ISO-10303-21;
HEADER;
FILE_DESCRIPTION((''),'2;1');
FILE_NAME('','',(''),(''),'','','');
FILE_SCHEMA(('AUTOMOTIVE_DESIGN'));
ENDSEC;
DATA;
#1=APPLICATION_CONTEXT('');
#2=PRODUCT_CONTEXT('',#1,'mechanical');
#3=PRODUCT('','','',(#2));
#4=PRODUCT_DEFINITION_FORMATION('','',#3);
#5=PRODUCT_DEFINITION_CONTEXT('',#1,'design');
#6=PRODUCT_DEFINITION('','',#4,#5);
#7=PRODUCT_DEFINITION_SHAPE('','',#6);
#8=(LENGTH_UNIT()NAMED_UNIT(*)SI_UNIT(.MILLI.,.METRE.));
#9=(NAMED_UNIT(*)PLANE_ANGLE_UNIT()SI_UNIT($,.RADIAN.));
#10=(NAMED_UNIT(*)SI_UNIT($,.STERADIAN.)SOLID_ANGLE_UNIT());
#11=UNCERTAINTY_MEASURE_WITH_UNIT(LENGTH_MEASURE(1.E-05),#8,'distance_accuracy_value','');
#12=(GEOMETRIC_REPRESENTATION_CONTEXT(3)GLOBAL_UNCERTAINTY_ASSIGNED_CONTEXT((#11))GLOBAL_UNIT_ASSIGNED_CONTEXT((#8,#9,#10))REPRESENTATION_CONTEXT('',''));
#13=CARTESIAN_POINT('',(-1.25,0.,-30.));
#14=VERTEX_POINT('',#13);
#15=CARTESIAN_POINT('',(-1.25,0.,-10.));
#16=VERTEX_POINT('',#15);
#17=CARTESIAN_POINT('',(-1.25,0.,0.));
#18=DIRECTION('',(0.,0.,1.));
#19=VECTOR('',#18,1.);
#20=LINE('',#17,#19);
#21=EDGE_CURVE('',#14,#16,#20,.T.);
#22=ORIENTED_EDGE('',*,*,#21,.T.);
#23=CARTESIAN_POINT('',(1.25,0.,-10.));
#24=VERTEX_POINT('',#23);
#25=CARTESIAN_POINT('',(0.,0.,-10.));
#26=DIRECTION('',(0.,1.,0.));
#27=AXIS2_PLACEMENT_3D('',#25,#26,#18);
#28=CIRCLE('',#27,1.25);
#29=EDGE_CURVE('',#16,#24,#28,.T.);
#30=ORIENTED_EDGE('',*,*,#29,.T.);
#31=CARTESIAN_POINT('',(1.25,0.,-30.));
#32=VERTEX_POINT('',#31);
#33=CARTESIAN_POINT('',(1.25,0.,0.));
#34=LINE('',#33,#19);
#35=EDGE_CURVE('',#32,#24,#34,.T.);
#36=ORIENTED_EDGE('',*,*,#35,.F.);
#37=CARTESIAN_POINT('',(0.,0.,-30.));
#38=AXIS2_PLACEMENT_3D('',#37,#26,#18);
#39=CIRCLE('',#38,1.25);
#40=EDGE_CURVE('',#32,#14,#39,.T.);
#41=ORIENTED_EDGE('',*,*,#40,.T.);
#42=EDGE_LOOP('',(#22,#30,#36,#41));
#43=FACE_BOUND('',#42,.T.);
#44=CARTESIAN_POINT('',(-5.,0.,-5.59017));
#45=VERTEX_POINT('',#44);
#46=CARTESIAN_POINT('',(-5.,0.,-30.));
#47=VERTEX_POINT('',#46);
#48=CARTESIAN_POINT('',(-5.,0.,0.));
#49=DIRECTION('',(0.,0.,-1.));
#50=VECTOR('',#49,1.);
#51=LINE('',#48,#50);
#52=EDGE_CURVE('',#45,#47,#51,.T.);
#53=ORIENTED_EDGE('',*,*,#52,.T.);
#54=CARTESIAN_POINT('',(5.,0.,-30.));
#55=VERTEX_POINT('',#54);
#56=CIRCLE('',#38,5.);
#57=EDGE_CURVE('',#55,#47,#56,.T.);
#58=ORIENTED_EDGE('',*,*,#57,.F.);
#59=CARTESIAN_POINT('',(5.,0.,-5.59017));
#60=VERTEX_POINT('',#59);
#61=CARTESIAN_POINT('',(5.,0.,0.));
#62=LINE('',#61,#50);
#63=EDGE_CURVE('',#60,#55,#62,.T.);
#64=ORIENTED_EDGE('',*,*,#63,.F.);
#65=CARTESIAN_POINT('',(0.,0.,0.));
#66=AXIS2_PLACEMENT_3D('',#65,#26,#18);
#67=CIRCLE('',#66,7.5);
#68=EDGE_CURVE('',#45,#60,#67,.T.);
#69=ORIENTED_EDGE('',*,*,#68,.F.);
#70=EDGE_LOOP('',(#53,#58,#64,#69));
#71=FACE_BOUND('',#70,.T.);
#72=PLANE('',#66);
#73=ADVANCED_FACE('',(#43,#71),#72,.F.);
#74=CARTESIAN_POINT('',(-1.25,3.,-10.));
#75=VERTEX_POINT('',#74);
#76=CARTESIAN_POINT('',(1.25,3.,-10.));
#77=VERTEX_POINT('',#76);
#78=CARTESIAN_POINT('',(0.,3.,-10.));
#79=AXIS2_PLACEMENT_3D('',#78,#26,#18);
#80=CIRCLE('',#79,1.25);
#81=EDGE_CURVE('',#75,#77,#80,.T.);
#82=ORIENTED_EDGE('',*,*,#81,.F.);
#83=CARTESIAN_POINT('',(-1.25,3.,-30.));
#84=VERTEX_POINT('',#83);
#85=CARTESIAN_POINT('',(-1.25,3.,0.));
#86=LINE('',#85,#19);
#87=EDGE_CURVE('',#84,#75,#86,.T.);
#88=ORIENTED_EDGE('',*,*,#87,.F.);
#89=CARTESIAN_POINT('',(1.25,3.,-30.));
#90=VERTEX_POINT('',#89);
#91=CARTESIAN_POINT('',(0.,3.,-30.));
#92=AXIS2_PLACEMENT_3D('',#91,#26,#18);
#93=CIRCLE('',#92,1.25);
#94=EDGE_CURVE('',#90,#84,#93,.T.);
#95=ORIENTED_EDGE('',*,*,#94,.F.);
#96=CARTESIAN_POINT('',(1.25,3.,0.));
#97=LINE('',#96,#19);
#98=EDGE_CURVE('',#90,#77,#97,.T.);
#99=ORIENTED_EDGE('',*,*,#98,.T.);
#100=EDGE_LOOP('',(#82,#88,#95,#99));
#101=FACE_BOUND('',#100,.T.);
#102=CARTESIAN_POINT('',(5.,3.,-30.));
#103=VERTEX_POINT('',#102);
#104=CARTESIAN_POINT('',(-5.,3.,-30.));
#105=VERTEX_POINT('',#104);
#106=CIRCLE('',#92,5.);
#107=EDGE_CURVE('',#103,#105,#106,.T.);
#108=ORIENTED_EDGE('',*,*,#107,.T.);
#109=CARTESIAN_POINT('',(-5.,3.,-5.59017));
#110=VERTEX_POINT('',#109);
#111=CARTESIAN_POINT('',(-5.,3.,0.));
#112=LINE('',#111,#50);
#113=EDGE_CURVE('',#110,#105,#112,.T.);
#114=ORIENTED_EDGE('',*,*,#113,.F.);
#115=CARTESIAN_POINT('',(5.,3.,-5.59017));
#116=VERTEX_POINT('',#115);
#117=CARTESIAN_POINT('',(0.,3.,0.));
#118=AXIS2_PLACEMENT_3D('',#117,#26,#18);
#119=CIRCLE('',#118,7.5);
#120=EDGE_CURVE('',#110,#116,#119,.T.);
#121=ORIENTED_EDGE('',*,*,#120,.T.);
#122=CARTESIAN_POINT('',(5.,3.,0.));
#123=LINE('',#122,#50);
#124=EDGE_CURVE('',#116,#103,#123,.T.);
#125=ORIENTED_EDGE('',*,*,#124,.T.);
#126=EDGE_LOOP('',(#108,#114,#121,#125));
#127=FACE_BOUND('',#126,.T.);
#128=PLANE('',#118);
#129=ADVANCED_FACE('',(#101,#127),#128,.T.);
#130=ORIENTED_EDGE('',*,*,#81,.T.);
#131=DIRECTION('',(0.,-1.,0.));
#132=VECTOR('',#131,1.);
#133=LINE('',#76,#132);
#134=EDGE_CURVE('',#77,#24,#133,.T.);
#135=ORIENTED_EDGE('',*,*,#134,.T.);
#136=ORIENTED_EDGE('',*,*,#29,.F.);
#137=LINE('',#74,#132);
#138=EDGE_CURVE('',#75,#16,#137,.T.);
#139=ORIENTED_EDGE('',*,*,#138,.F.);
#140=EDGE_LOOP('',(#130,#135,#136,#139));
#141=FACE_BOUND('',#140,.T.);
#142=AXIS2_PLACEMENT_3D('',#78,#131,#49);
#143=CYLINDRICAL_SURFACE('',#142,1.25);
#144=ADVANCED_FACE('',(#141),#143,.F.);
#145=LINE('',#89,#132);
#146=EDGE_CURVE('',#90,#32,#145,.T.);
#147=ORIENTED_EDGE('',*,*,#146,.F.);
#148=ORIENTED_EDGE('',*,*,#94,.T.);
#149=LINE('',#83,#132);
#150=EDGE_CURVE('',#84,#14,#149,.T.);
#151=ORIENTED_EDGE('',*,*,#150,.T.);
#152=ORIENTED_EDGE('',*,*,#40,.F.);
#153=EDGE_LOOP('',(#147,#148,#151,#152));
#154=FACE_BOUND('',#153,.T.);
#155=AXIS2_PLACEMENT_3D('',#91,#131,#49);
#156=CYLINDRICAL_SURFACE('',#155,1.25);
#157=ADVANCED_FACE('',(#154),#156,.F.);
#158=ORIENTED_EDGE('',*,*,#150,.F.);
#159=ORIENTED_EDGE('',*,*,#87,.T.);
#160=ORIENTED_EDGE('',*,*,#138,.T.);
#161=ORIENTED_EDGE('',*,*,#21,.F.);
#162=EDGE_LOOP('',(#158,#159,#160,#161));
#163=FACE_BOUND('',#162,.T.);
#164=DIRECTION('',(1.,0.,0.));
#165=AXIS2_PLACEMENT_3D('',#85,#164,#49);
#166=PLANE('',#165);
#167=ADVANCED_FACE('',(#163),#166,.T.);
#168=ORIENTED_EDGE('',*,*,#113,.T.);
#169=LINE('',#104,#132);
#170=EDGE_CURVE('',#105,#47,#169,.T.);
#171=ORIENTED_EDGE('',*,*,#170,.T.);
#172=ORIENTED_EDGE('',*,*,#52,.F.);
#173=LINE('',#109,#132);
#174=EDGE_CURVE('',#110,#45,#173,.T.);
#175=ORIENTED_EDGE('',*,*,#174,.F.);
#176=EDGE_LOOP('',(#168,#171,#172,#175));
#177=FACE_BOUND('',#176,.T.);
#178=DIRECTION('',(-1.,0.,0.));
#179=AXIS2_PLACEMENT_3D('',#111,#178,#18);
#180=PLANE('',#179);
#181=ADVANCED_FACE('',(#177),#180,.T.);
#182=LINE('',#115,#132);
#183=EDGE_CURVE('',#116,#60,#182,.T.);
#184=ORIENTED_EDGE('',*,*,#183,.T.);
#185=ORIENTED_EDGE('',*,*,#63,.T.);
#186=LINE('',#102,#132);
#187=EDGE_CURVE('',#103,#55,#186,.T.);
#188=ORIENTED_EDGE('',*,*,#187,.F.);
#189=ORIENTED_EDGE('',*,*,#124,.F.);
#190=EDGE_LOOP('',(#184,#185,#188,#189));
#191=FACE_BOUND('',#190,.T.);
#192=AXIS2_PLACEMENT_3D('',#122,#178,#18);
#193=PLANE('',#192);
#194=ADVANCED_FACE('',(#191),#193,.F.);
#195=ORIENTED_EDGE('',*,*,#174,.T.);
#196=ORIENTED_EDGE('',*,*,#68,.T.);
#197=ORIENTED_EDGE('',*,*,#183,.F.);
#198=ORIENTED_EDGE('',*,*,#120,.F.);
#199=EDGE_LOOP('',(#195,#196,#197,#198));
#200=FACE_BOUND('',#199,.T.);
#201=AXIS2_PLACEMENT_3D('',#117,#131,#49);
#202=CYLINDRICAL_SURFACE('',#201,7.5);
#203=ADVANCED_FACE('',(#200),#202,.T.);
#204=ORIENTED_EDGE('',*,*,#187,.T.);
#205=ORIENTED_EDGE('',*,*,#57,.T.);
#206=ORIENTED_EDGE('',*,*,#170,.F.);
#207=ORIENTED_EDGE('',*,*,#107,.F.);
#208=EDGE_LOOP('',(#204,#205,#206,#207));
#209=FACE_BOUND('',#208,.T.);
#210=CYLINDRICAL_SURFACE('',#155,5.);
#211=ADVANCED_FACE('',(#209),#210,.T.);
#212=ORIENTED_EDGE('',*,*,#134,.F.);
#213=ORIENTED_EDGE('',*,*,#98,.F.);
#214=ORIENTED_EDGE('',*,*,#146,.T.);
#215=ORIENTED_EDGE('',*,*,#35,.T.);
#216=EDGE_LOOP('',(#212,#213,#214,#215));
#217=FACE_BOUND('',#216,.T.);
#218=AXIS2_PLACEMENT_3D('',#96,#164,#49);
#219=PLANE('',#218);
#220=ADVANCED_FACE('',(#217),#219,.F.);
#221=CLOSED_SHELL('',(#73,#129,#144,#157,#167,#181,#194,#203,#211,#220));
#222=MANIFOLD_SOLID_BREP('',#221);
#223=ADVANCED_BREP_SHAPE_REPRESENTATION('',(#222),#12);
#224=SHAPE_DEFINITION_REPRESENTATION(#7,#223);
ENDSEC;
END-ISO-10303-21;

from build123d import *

# Parameters (mm, degrees)
BOSS_EXTRUDE1_DEPTH = 3


with BuildPart() as part:
    # Sketch1 → Boss-Extrude1 (new body)
    with BuildSketch(Plane(origin=(0, 0, 0), x_dir=(1, 0, 0), z_dir=(0, 1, 0))):
        with BuildLine():
            Line((-5, 30), (-5, 5.590169944))
            ThreePointArc((-5, 5.590169944), (0, 7.5), (5, 5.590169944))
            Line((5, 5.590169944), (5, 30))
            ThreePointArc((5, 30), (0, 35), (-5, 30))
        make_face()
        with BuildLine():
            ThreePointArc((-1.25, 30), (0, 31.25), (1.25, 30))
            Line((1.25, 30), (1.25, 10))
            ThreePointArc((1.25, 10), (0, 8.75), (-1.25, 10))
            Line((-1.25, 10), (-1.25, 30))
        make_face(mode=Mode.SUBTRACT)
        with BuildLine():
            ThreePointArc((5, 0), (0, -5), (-5, 0))
            Line((-5, 0), (-5, 5.590169944))
            ThreePointArc((-5, 5.590169944), (-3.061862178, -6.846531969), (7.5, 0))
            ThreePointArc((7.5, 0), (6.846531969, 3.061862178), (5, 5.590169944))
            Line((5, 5.590169944), (5, 0))
        make_face()
        with BuildLine():
            Line((-5, 5.590169944), (-5, 0))
            ThreePointArc((-5, 0), (0, -5), (5, 0))
            Line((5, 0), (5, 5.590169944))
            ThreePointArc((5, 5.590169944), (0, 7.5), (-5, 5.590169944))
        make_face()
    extrude(amount=BOSS_EXTRUDE1_DEPTH)


solid = part.part
